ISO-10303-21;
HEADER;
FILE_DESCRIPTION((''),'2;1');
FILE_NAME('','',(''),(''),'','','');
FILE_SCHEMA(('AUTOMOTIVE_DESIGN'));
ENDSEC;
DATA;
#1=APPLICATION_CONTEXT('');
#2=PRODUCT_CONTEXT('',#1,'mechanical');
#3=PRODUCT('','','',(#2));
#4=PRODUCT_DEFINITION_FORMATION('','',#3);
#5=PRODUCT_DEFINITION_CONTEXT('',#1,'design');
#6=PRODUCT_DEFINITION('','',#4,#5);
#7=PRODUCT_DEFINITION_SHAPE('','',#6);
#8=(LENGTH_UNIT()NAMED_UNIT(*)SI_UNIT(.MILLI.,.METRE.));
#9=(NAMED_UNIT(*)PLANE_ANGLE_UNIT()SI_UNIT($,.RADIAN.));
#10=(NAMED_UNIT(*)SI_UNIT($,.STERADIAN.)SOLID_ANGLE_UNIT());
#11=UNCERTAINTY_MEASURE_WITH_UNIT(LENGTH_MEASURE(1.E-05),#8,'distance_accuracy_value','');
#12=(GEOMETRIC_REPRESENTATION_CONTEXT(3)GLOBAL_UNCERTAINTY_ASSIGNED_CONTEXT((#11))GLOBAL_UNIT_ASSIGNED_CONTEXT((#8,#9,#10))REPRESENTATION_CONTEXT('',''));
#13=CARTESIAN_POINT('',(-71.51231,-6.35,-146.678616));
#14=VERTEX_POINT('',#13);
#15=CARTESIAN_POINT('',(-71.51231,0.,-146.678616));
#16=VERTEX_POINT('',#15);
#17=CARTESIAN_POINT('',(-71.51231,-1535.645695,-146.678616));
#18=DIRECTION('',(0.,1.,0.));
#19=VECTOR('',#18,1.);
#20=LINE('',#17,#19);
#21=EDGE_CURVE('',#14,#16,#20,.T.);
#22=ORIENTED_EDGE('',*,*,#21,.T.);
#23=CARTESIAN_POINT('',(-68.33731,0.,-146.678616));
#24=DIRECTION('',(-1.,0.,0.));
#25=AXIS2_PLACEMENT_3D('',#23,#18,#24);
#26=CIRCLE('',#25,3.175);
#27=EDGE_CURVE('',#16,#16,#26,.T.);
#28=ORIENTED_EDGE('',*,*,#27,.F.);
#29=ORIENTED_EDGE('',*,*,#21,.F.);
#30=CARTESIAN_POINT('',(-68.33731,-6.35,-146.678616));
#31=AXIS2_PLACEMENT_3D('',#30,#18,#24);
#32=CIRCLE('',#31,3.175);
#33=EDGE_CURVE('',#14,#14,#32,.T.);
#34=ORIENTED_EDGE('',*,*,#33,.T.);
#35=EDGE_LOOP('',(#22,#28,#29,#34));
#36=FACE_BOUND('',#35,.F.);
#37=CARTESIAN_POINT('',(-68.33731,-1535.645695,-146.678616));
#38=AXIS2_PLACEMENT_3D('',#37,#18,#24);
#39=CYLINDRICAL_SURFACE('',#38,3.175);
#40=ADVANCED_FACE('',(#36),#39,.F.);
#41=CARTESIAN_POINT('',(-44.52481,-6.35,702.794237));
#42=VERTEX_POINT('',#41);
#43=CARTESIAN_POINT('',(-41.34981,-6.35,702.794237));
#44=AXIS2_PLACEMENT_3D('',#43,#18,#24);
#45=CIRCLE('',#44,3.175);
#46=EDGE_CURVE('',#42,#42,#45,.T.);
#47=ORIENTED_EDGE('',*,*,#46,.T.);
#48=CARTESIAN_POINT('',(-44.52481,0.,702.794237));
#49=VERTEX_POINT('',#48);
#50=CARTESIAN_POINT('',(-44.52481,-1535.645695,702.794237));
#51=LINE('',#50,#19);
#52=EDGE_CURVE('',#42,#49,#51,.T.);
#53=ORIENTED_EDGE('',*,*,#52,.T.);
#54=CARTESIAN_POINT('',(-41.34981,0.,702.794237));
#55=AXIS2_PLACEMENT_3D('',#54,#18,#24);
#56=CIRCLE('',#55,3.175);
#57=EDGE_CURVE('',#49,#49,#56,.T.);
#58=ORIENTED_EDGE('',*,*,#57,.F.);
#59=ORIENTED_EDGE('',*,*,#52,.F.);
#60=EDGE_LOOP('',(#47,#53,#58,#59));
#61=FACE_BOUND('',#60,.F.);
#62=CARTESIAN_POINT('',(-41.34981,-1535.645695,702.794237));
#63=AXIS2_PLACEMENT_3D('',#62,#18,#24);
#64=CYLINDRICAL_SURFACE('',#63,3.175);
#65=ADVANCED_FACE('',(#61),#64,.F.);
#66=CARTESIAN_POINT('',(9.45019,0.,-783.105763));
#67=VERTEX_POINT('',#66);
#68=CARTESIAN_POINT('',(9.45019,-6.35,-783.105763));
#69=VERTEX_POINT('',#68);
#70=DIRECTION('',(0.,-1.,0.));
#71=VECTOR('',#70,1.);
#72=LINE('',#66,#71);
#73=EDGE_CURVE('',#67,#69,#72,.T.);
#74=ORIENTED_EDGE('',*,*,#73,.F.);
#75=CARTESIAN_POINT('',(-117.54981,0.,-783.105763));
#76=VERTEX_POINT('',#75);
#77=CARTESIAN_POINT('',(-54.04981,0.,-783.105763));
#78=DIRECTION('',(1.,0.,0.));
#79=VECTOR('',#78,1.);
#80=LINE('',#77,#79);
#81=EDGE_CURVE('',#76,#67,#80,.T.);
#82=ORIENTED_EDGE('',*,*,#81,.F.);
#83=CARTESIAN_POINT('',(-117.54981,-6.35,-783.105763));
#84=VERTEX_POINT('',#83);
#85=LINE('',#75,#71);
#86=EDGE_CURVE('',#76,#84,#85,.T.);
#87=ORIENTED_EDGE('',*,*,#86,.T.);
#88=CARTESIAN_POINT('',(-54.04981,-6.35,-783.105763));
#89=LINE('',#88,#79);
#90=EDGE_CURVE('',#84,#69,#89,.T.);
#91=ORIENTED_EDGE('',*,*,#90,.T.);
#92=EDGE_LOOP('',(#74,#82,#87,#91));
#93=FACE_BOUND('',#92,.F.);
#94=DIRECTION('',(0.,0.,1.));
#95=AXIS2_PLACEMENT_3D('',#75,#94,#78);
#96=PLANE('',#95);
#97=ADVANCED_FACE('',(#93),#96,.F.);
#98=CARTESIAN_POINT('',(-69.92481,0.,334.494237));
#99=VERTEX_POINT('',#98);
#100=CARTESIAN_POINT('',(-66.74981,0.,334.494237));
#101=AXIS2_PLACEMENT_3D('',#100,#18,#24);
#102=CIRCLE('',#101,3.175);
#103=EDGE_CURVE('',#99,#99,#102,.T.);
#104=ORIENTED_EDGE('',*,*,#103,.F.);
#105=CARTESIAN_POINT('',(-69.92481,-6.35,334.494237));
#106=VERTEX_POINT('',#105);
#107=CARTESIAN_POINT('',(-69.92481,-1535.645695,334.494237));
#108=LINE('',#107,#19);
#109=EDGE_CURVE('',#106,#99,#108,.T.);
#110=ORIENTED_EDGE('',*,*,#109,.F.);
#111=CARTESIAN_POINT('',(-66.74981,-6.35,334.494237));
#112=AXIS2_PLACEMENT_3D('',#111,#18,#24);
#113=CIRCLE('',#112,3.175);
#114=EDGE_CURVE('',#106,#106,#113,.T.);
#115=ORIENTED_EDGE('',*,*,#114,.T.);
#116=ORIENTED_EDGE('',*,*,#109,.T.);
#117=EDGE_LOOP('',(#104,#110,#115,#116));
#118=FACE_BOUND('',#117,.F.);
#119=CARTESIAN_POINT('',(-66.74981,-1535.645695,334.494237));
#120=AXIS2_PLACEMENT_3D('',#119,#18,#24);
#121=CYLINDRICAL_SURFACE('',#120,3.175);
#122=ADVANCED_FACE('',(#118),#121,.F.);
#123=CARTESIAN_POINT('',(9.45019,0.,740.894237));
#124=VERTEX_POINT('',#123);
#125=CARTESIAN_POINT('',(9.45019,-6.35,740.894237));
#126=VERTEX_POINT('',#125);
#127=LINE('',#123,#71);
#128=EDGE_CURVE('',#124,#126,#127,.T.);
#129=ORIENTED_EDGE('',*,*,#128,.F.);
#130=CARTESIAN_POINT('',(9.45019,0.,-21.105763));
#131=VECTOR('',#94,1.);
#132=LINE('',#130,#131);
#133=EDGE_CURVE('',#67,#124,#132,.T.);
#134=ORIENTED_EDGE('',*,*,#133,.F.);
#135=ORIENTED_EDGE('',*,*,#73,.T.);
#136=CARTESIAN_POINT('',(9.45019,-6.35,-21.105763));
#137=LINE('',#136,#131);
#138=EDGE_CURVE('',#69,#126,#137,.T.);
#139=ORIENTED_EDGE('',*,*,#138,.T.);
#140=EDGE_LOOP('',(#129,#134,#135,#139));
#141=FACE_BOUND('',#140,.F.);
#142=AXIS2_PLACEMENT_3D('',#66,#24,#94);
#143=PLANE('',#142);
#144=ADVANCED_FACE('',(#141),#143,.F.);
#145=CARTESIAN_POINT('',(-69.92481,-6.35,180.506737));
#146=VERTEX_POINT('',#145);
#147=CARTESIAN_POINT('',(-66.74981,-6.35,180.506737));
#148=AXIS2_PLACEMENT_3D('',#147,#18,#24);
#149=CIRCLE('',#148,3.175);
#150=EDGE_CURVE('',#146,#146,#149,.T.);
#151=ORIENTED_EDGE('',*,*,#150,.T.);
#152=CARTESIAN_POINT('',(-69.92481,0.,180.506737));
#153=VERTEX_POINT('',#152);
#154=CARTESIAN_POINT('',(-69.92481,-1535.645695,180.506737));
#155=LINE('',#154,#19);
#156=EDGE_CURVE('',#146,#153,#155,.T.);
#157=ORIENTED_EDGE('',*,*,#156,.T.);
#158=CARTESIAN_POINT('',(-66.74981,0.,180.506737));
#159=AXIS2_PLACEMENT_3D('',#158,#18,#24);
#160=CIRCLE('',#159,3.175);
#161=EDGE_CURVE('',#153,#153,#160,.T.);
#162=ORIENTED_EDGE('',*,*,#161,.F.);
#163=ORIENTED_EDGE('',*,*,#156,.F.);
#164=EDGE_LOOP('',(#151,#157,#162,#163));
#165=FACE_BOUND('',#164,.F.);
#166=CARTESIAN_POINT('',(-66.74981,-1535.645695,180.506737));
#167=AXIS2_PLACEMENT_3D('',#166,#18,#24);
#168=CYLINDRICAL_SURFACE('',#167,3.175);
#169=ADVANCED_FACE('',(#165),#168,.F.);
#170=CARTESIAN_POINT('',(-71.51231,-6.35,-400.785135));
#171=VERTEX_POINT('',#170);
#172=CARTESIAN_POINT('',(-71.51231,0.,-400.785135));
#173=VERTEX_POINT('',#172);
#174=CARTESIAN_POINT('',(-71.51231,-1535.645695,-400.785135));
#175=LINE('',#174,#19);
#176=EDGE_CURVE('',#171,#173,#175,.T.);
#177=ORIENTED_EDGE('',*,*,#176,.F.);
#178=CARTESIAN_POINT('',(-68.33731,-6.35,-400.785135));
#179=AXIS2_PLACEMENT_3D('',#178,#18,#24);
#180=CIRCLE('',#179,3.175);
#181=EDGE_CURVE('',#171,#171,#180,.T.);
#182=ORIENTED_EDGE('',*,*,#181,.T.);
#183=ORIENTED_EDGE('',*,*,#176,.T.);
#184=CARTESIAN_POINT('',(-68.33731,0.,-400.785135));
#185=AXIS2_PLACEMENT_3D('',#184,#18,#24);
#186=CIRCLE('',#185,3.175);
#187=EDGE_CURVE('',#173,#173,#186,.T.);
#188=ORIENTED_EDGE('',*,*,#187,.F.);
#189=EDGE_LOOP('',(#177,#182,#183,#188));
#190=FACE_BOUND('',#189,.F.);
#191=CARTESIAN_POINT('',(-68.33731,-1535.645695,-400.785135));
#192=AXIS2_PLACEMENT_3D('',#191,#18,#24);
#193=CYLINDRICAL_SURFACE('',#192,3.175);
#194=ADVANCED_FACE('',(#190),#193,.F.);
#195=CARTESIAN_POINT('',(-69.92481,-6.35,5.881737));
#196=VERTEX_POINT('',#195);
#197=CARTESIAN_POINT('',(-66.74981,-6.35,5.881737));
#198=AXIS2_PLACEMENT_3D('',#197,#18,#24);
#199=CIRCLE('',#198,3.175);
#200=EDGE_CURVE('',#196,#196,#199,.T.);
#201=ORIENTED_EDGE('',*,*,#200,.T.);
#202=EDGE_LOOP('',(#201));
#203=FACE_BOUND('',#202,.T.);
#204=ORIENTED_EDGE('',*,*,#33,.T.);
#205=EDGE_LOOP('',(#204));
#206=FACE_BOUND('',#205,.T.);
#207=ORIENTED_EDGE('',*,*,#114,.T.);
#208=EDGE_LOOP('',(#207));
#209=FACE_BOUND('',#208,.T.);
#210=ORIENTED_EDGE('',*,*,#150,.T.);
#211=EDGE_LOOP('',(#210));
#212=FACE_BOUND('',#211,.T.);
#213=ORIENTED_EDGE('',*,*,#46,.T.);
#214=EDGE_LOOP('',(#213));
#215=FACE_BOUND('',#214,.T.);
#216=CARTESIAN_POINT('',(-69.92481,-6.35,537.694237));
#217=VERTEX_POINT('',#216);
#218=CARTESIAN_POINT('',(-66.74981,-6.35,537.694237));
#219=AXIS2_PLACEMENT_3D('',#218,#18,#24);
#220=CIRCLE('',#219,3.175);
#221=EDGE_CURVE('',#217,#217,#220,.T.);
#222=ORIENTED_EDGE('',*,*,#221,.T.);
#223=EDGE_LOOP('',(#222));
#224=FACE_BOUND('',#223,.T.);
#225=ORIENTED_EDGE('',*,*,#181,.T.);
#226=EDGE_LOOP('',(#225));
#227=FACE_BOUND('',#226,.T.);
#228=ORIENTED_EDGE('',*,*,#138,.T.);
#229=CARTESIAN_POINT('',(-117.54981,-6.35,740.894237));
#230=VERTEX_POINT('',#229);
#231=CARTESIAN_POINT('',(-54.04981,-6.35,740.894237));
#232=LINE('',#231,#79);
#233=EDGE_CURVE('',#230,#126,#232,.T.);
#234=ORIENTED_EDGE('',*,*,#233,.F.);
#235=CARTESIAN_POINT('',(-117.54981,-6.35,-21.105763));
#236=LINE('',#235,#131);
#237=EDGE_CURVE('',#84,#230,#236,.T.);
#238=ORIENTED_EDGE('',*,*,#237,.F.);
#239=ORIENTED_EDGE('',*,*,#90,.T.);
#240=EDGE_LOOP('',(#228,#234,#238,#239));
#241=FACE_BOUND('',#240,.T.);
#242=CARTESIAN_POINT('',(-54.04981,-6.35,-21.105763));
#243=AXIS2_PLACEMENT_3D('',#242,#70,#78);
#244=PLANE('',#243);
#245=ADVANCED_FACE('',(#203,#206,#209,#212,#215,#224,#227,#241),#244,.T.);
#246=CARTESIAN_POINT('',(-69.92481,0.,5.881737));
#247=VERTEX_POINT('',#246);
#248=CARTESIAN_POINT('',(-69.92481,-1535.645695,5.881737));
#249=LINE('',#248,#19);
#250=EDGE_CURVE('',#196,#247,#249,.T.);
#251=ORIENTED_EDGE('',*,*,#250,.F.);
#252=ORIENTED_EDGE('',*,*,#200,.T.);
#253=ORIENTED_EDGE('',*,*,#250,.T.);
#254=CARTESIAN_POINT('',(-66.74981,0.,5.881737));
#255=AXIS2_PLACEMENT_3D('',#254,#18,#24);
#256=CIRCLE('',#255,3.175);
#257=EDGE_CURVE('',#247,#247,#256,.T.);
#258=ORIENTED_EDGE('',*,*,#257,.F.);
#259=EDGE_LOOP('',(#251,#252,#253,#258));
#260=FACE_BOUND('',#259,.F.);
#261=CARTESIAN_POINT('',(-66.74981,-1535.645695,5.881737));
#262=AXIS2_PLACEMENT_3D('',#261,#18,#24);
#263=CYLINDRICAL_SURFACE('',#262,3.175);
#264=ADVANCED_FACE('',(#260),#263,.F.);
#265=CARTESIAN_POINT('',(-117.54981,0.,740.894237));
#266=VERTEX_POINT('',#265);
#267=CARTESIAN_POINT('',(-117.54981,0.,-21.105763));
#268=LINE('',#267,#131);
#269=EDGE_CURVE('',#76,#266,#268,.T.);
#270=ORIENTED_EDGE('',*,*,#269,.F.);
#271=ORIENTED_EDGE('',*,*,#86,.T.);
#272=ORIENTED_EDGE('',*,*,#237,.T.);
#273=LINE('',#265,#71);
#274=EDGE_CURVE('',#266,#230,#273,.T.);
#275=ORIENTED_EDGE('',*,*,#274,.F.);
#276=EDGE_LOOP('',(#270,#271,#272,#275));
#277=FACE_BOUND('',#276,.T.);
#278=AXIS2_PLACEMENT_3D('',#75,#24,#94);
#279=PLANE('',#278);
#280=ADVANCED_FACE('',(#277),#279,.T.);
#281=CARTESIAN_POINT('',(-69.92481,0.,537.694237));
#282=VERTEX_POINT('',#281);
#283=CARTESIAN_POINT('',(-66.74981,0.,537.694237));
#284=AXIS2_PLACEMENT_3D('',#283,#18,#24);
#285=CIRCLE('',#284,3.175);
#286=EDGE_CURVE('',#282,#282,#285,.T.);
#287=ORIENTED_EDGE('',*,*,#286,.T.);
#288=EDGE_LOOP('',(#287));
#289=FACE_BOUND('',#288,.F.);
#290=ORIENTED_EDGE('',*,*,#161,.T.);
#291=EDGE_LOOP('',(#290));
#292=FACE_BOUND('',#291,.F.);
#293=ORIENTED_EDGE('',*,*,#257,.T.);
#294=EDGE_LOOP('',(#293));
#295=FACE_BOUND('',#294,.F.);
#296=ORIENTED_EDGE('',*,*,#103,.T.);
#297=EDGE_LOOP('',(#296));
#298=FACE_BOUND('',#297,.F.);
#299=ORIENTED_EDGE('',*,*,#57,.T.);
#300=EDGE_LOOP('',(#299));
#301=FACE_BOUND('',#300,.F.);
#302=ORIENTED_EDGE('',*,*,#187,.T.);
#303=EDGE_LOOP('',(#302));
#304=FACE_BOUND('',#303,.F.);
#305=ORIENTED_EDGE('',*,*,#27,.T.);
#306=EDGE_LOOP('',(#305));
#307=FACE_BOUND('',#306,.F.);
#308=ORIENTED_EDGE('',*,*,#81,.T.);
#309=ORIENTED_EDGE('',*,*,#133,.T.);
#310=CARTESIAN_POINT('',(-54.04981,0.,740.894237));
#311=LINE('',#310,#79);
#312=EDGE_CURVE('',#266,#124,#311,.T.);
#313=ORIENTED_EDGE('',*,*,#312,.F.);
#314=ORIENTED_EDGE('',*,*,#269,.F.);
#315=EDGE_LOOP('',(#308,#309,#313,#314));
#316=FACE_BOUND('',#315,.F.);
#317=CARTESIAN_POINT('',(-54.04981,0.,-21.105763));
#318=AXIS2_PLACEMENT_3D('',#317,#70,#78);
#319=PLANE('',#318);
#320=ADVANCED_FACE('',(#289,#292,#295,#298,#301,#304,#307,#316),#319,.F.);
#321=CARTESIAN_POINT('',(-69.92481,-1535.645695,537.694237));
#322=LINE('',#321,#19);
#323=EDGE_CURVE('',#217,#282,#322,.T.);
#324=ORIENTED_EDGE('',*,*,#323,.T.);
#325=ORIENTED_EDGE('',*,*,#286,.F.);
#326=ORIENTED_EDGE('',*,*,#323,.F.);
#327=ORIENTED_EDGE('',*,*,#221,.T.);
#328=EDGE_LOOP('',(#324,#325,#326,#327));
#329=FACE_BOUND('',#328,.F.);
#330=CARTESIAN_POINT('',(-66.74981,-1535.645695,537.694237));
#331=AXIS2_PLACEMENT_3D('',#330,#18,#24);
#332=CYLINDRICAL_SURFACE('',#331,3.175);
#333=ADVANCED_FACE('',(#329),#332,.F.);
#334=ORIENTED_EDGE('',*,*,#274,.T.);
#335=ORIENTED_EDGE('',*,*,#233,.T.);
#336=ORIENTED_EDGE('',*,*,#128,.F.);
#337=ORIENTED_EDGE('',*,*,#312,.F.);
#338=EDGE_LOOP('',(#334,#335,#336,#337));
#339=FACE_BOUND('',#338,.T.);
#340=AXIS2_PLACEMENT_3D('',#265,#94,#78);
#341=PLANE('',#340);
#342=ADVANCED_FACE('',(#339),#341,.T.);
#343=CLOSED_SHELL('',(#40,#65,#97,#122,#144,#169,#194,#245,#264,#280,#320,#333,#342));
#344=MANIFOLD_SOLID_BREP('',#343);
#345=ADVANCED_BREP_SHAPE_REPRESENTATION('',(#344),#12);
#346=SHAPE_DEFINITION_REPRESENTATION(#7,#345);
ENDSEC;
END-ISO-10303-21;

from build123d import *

# Parameters (mm, degrees)
F0_W     = 127
F0_H     = 1524
F1_DEPTH = 6.35
F3_D     = 6.35
F5_D     = 6.35
F7_D     = 6.35
F9_D     = 6.35
F11_D    = 6.35
F13_D    = 6.35
F15_D    = 6.35


with BuildPart() as f1:
    # F0 (on Front) → F1 (new body)
    with BuildSketch(Plane.XZ):
        with Locations((-54.04981, -21.105763)):
            Rectangle(F0_W, F0_H)
    extrude(amount=F1_DEPTH)

    # F3 (through all)
    with Locations(Plane.XZ.offset(6.35)):
        with Locations((-41.34981, 702.794237)):
            Hole(F3_D / 2)

    # F5 (through all)
    with Locations(Plane.XZ.offset(6.35)):
        with Locations((-66.74981, 537.694237)):
            Hole(F5_D / 2)

    # F7 (through all)
    with Locations(Plane.XZ.offset(6.35)):
        with Locations((-66.74981, 334.494237)):
            Hole(F7_D / 2)

    # F9 (through all)
    with Locations(Plane.XZ.offset(6.35)):
        with Locations((-66.74981, 180.506737)):
            Hole(F9_D / 2)

    # F11 (through all)
    with Locations(Plane.XZ.offset(6.35)):
        with Locations((-66.74981, 5.881737)):
            Hole(F11_D / 2)

    # F13 (through all)
    with Locations(Plane.XZ.offset(6.35)):
        with Locations((-68.33731, -146.678616)):
            Hole(F13_D / 2)

    # F15 (through all)
    with Locations(Plane.XZ.offset(6.35)):
        with Locations((-68.33731, -400.785135)):
            Hole(F15_D / 2)


solid = f1.part
